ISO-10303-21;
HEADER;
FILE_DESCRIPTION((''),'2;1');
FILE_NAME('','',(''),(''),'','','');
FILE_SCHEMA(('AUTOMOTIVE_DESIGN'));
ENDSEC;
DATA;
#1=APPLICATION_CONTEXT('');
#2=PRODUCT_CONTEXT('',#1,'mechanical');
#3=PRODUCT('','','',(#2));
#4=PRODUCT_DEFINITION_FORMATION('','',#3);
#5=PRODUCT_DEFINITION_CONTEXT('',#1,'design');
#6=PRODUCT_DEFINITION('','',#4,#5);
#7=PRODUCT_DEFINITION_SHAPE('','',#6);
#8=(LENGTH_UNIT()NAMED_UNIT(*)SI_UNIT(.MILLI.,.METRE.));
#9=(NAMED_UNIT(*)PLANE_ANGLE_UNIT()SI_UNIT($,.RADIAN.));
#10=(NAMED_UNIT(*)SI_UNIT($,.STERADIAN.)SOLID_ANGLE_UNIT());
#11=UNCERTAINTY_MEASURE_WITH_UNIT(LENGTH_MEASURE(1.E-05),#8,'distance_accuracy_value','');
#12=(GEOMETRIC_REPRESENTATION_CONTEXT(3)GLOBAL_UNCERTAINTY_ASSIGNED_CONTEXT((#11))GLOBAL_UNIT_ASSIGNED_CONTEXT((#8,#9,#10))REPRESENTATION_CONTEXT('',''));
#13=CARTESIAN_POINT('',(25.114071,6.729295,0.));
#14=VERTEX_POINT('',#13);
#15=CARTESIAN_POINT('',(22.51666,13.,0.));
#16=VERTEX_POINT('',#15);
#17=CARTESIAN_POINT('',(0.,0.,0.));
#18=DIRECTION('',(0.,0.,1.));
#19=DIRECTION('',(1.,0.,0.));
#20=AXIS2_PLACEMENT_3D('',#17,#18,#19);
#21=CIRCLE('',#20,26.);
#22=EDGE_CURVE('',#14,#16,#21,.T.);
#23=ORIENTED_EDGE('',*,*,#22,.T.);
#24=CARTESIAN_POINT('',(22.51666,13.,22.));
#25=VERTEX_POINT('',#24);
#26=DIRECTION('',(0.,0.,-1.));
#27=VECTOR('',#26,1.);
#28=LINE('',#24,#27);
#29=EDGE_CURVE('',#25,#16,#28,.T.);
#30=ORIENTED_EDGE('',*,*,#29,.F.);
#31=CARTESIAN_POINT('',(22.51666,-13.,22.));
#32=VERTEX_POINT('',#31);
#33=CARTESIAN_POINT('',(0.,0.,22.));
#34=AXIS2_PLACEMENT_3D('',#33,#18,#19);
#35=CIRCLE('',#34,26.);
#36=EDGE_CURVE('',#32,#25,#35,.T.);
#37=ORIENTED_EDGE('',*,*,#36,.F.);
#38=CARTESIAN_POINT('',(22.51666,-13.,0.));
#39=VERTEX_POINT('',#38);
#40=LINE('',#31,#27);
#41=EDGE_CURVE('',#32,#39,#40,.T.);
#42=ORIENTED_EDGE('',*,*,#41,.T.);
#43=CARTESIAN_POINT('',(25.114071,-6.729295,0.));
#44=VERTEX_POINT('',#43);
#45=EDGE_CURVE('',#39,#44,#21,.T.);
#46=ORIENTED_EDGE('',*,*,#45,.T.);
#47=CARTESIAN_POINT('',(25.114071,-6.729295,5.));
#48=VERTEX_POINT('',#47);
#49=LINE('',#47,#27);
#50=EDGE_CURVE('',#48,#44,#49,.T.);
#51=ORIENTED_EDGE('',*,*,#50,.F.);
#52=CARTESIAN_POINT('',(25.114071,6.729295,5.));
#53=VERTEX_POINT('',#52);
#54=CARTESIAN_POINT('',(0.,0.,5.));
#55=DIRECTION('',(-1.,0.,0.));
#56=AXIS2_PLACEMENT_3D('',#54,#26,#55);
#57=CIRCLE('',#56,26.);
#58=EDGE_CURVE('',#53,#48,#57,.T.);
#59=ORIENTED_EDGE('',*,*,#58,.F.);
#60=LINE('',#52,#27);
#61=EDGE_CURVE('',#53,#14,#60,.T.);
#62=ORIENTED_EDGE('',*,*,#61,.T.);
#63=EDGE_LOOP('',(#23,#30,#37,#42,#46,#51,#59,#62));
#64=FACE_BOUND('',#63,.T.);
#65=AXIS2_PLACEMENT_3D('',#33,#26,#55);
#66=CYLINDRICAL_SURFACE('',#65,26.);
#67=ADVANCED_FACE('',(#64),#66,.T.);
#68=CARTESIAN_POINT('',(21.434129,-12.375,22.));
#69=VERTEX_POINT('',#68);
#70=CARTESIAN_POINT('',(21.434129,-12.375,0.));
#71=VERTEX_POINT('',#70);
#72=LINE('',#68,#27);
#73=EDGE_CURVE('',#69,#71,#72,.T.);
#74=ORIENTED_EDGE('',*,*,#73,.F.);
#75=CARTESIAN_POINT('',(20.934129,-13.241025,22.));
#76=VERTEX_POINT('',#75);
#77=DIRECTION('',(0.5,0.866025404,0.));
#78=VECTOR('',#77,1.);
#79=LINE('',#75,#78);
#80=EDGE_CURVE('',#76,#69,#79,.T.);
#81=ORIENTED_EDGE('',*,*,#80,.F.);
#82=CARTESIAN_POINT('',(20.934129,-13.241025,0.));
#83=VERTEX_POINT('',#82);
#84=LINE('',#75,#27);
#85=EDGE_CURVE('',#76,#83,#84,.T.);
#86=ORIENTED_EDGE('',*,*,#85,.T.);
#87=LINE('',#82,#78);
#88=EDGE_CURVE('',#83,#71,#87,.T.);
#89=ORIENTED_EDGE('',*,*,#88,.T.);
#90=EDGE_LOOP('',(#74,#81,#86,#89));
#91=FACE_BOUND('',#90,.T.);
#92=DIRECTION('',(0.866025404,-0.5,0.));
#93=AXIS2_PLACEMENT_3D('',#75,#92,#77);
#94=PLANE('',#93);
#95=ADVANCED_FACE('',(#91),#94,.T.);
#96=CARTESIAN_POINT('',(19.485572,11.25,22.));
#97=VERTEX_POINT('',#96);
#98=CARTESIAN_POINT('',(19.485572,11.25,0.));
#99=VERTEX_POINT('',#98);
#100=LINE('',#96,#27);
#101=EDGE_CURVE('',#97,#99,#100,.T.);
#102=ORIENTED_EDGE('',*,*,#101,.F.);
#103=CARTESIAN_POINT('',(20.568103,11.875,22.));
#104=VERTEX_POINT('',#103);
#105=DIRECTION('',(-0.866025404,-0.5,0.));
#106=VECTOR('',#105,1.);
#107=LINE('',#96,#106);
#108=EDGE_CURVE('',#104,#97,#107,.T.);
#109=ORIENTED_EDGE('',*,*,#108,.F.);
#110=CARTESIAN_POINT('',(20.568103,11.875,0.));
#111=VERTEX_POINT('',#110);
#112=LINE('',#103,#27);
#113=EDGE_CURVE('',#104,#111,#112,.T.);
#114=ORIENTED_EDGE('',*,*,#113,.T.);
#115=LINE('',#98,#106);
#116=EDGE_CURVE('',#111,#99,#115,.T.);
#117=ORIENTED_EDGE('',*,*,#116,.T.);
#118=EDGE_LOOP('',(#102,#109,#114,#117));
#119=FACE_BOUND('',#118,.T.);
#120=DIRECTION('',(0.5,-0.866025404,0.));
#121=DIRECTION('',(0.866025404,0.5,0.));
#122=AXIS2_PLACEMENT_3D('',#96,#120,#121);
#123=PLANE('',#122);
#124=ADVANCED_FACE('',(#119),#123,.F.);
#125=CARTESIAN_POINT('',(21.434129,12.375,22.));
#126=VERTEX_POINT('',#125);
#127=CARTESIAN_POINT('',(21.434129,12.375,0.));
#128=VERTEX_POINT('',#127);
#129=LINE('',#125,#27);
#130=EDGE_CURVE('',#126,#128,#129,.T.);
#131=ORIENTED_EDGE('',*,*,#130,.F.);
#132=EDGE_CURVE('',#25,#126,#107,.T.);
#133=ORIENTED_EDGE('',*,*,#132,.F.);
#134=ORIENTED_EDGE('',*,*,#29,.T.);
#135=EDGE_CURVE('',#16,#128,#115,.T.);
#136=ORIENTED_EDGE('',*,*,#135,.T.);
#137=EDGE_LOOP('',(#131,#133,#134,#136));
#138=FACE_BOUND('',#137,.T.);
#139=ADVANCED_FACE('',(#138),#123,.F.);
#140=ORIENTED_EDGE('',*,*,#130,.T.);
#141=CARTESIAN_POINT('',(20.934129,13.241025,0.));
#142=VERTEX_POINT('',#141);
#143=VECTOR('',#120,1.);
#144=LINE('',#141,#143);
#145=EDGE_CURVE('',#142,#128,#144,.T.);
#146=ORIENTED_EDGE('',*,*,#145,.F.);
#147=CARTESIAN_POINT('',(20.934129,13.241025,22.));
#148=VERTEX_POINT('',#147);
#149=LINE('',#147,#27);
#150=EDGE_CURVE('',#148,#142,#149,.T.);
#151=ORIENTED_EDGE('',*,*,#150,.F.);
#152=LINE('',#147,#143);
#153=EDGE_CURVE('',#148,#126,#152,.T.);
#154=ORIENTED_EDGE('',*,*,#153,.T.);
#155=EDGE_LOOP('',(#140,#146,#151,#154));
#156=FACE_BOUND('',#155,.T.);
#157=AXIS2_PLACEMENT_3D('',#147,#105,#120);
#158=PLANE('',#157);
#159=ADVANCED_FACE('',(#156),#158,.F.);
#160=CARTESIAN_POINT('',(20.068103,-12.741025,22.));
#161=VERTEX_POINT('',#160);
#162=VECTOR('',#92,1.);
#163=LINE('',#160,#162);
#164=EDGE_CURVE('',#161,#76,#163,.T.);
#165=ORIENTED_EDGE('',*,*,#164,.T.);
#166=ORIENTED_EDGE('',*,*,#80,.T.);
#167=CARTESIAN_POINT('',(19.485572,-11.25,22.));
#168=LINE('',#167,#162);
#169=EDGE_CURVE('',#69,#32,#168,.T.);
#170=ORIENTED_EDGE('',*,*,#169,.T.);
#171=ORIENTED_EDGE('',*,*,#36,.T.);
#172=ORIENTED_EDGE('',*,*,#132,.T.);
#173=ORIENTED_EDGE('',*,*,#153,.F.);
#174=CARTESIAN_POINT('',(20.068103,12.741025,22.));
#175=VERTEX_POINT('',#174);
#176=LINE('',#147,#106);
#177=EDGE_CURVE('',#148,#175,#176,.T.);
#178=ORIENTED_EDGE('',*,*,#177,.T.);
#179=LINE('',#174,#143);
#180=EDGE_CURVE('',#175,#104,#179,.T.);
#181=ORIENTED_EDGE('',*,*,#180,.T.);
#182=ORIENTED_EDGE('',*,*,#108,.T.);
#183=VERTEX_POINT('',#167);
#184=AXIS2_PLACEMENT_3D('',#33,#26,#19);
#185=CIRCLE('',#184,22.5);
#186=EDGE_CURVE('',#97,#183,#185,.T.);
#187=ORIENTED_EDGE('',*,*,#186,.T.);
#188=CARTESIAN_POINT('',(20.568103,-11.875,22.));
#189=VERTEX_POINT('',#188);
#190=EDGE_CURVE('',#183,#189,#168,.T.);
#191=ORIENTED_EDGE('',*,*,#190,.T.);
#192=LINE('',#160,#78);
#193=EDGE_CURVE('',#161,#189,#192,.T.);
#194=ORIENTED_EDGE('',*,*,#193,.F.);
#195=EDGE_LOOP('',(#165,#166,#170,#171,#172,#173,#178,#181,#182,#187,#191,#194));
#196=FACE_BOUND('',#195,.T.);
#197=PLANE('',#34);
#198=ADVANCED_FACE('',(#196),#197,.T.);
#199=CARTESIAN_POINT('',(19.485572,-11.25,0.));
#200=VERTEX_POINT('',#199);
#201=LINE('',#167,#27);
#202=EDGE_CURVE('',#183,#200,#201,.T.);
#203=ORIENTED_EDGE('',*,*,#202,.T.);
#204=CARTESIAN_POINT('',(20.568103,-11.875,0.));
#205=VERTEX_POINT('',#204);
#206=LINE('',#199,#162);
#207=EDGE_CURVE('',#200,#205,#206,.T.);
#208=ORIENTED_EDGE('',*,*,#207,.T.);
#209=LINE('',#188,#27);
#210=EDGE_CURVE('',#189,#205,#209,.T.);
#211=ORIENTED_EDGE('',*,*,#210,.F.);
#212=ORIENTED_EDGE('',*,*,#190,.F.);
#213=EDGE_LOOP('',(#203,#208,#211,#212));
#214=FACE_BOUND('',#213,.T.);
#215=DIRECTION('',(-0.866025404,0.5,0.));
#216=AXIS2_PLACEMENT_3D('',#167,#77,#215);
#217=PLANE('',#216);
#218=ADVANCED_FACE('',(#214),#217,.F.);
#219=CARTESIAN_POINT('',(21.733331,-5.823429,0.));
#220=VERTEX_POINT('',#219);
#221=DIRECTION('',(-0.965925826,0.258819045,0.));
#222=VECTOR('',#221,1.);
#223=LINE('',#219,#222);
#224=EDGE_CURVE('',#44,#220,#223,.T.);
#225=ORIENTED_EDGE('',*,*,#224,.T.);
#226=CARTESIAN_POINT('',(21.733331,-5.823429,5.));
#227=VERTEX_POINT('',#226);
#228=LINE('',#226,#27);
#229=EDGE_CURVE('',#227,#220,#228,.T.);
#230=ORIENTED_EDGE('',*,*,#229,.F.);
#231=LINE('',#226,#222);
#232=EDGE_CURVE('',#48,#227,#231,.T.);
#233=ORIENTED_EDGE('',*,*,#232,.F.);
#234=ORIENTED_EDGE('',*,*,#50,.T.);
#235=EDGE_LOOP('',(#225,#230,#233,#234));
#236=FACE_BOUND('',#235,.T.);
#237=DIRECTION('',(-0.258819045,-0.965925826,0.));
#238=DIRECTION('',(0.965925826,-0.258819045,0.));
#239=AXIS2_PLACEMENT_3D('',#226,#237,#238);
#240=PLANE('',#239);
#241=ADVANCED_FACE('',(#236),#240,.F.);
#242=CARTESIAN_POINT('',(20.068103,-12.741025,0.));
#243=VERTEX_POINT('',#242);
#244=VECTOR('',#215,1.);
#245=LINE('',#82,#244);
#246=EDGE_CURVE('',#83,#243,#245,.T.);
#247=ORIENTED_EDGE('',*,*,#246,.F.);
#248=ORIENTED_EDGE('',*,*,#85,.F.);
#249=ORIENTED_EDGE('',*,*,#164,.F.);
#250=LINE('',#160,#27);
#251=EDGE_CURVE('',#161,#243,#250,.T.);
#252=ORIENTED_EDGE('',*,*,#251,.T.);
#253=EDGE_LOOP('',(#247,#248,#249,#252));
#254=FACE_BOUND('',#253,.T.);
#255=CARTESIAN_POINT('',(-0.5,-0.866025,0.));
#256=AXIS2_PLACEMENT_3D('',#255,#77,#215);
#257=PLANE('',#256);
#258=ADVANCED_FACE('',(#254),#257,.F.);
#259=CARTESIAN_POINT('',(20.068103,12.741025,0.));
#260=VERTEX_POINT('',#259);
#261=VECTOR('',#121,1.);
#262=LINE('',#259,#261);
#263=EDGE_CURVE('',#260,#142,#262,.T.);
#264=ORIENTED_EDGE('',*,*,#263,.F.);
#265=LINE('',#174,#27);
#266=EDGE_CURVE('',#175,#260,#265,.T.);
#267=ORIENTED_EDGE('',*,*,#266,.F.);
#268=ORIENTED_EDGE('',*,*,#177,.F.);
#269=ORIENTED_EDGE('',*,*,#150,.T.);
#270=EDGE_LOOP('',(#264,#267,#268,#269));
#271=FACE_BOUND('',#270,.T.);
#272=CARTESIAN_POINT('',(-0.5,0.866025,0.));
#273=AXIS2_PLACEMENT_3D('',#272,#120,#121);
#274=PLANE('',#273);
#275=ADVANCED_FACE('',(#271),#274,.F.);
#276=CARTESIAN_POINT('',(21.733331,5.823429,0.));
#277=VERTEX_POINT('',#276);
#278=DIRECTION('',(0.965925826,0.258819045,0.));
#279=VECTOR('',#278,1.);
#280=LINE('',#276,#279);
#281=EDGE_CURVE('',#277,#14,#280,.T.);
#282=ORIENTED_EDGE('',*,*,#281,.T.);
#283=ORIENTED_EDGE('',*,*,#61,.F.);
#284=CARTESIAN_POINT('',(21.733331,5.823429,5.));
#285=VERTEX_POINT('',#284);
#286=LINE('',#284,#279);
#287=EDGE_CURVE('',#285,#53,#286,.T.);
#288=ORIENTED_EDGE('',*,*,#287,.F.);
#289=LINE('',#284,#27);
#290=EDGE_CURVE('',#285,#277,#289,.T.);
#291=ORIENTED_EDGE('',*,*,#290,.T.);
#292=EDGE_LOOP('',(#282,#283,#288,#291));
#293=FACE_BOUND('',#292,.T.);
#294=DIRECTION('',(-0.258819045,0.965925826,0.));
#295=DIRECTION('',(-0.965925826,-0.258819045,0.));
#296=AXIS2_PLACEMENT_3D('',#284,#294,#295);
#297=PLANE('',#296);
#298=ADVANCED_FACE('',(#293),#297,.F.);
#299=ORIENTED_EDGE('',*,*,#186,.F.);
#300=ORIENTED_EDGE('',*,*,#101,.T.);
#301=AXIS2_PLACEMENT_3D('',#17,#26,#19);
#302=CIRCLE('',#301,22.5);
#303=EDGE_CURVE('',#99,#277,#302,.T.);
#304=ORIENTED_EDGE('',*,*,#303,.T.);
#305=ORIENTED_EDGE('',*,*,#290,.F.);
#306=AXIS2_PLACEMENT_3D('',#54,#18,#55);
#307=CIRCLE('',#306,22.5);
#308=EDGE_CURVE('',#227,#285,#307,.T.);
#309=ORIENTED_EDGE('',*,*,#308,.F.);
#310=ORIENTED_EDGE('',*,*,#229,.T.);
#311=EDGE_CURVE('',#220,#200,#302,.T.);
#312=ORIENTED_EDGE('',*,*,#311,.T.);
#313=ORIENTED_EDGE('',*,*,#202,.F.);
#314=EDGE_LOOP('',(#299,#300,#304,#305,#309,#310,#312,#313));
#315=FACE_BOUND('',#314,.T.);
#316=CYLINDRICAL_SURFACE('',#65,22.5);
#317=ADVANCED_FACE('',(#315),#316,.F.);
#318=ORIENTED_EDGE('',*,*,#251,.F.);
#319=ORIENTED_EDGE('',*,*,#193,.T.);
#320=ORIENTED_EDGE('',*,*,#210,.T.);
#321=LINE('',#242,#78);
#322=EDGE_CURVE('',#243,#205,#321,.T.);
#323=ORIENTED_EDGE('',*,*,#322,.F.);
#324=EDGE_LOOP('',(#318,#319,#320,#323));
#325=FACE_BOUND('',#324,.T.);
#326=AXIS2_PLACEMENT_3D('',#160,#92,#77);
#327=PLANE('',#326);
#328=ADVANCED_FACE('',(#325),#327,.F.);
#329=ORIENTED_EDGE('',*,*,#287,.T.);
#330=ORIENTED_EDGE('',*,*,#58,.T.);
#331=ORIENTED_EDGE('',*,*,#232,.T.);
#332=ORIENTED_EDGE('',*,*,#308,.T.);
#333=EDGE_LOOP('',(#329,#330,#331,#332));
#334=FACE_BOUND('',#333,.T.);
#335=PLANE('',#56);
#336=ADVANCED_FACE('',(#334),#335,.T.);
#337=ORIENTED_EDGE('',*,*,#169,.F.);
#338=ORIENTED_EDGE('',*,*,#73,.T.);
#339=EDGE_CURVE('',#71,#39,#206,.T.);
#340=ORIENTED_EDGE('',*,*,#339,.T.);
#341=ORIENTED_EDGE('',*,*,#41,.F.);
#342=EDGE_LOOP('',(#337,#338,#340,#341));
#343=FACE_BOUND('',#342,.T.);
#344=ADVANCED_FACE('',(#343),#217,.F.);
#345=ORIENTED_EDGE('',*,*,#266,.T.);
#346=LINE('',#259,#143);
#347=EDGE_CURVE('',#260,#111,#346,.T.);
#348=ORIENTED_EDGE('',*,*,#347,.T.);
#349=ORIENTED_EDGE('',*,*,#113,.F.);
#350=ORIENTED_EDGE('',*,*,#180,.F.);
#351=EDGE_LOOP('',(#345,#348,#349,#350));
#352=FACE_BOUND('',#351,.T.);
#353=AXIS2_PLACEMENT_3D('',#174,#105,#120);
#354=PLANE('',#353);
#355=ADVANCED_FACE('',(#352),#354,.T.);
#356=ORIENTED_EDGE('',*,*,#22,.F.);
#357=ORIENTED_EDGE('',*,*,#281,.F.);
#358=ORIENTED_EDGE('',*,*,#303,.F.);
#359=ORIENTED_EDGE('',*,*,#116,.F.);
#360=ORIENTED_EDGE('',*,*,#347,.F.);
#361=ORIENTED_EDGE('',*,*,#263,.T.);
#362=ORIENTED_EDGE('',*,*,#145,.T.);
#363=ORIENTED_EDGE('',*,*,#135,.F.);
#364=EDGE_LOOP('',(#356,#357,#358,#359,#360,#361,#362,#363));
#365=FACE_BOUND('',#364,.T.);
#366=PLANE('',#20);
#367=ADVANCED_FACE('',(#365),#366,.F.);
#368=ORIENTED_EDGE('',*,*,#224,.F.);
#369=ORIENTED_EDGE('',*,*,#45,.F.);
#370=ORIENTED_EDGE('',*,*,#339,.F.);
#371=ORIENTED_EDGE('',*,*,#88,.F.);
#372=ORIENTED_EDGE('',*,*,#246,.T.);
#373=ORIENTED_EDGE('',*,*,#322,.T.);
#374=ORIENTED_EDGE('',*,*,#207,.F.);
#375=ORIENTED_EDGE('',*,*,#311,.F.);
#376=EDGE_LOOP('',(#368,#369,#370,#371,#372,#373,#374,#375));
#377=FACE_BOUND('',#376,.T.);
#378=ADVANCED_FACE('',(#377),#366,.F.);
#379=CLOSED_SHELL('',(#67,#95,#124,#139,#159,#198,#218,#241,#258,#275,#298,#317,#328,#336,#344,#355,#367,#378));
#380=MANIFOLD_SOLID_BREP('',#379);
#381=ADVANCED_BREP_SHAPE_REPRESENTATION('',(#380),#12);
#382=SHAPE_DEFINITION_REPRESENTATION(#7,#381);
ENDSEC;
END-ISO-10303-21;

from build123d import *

# Parameters (mm, degrees)
EXTRUDE_1_DEPTH     = 22
SKETCH_4_W          = 1
SKETCH_4_H          = 22
EXTRUDE_2_DEPTH     = 1
SKETCH_2_W          = 1
SKETCH_2_H          = 22
EXTRUDE_3_DEPTH     = 1
CUT_EXTRUDE_2_DEPTH = 5


with BuildPart() as part:
    # Эскиз1 → Бобышка-Вытянуть1 (new body)
    with BuildSketch(Plane.XY):
        with BuildLine():
            Line((19.485571585, 11.25), (22.516660498, 13))
            ThreePointArc((22.516660498, 13), (26, 0), (22.516660498, -13))
            Line((22.516660498, -13), (19.485571585, -11.25))
            ThreePointArc((19.485571585, -11.25), (22.5, 0), (19.485571585, 11.25))
        make_face()
    extrude(amount=EXTRUDE_1_DEPTH)

    # Эскиз4 → Бобышка-Вытянуть2 (add)
    with BuildSketch(Plane(origin=(0, 0, 0), x_dir=(-0.866025403784438, -0.5000000000000012, 0), z_dir=(-0.5000000000000011, 0.8660254037844379, 0))):
        with Locations((-24.25, 11)):
            Rectangle(SKETCH_4_W, SKETCH_4_H)
    extrude(amount=EXTRUDE_2_DEPTH)

    # Эскиз2 → Бобышка-Вытянуть3 (add)
    with BuildSketch(Plane(origin=(0, 0, 0), x_dir=(0.866025403784438, -0.5000000000000012, 0), z_dir=(-0.5000000000000011, -0.8660254037844379, 0))):
        with Locations((24.25, 11)):
            Rectangle(SKETCH_2_W, SKETCH_2_H)
    extrude(amount=EXTRUDE_3_DEPTH)

    # Эскиз6 → Вырез-Вытянуть2 (cut)
    with BuildSketch(Plane(origin=(0, 0, 0), x_dir=(-1, 0, 0), z_dir=(0, 0, -1))):
        with BuildLine():
            Line((-21.733331092, 5.823428515), (-25.114071484, 6.729295173))
            ThreePointArc((-25.114071484, 6.729295173), (-26, 0), (-25.114071484, -6.729295173))
            Line((-25.114071484, -6.729295173), (-21.733331092, -5.823428515))
            ThreePointArc((-21.733331092, -5.823428515), (-22.5, 0), (-21.733331092, 5.823428515))
        make_face()
    extrude(amount=-CUT_EXTRUDE_2_DEPTH, mode=Mode.SUBTRACT)


solid = part.part
